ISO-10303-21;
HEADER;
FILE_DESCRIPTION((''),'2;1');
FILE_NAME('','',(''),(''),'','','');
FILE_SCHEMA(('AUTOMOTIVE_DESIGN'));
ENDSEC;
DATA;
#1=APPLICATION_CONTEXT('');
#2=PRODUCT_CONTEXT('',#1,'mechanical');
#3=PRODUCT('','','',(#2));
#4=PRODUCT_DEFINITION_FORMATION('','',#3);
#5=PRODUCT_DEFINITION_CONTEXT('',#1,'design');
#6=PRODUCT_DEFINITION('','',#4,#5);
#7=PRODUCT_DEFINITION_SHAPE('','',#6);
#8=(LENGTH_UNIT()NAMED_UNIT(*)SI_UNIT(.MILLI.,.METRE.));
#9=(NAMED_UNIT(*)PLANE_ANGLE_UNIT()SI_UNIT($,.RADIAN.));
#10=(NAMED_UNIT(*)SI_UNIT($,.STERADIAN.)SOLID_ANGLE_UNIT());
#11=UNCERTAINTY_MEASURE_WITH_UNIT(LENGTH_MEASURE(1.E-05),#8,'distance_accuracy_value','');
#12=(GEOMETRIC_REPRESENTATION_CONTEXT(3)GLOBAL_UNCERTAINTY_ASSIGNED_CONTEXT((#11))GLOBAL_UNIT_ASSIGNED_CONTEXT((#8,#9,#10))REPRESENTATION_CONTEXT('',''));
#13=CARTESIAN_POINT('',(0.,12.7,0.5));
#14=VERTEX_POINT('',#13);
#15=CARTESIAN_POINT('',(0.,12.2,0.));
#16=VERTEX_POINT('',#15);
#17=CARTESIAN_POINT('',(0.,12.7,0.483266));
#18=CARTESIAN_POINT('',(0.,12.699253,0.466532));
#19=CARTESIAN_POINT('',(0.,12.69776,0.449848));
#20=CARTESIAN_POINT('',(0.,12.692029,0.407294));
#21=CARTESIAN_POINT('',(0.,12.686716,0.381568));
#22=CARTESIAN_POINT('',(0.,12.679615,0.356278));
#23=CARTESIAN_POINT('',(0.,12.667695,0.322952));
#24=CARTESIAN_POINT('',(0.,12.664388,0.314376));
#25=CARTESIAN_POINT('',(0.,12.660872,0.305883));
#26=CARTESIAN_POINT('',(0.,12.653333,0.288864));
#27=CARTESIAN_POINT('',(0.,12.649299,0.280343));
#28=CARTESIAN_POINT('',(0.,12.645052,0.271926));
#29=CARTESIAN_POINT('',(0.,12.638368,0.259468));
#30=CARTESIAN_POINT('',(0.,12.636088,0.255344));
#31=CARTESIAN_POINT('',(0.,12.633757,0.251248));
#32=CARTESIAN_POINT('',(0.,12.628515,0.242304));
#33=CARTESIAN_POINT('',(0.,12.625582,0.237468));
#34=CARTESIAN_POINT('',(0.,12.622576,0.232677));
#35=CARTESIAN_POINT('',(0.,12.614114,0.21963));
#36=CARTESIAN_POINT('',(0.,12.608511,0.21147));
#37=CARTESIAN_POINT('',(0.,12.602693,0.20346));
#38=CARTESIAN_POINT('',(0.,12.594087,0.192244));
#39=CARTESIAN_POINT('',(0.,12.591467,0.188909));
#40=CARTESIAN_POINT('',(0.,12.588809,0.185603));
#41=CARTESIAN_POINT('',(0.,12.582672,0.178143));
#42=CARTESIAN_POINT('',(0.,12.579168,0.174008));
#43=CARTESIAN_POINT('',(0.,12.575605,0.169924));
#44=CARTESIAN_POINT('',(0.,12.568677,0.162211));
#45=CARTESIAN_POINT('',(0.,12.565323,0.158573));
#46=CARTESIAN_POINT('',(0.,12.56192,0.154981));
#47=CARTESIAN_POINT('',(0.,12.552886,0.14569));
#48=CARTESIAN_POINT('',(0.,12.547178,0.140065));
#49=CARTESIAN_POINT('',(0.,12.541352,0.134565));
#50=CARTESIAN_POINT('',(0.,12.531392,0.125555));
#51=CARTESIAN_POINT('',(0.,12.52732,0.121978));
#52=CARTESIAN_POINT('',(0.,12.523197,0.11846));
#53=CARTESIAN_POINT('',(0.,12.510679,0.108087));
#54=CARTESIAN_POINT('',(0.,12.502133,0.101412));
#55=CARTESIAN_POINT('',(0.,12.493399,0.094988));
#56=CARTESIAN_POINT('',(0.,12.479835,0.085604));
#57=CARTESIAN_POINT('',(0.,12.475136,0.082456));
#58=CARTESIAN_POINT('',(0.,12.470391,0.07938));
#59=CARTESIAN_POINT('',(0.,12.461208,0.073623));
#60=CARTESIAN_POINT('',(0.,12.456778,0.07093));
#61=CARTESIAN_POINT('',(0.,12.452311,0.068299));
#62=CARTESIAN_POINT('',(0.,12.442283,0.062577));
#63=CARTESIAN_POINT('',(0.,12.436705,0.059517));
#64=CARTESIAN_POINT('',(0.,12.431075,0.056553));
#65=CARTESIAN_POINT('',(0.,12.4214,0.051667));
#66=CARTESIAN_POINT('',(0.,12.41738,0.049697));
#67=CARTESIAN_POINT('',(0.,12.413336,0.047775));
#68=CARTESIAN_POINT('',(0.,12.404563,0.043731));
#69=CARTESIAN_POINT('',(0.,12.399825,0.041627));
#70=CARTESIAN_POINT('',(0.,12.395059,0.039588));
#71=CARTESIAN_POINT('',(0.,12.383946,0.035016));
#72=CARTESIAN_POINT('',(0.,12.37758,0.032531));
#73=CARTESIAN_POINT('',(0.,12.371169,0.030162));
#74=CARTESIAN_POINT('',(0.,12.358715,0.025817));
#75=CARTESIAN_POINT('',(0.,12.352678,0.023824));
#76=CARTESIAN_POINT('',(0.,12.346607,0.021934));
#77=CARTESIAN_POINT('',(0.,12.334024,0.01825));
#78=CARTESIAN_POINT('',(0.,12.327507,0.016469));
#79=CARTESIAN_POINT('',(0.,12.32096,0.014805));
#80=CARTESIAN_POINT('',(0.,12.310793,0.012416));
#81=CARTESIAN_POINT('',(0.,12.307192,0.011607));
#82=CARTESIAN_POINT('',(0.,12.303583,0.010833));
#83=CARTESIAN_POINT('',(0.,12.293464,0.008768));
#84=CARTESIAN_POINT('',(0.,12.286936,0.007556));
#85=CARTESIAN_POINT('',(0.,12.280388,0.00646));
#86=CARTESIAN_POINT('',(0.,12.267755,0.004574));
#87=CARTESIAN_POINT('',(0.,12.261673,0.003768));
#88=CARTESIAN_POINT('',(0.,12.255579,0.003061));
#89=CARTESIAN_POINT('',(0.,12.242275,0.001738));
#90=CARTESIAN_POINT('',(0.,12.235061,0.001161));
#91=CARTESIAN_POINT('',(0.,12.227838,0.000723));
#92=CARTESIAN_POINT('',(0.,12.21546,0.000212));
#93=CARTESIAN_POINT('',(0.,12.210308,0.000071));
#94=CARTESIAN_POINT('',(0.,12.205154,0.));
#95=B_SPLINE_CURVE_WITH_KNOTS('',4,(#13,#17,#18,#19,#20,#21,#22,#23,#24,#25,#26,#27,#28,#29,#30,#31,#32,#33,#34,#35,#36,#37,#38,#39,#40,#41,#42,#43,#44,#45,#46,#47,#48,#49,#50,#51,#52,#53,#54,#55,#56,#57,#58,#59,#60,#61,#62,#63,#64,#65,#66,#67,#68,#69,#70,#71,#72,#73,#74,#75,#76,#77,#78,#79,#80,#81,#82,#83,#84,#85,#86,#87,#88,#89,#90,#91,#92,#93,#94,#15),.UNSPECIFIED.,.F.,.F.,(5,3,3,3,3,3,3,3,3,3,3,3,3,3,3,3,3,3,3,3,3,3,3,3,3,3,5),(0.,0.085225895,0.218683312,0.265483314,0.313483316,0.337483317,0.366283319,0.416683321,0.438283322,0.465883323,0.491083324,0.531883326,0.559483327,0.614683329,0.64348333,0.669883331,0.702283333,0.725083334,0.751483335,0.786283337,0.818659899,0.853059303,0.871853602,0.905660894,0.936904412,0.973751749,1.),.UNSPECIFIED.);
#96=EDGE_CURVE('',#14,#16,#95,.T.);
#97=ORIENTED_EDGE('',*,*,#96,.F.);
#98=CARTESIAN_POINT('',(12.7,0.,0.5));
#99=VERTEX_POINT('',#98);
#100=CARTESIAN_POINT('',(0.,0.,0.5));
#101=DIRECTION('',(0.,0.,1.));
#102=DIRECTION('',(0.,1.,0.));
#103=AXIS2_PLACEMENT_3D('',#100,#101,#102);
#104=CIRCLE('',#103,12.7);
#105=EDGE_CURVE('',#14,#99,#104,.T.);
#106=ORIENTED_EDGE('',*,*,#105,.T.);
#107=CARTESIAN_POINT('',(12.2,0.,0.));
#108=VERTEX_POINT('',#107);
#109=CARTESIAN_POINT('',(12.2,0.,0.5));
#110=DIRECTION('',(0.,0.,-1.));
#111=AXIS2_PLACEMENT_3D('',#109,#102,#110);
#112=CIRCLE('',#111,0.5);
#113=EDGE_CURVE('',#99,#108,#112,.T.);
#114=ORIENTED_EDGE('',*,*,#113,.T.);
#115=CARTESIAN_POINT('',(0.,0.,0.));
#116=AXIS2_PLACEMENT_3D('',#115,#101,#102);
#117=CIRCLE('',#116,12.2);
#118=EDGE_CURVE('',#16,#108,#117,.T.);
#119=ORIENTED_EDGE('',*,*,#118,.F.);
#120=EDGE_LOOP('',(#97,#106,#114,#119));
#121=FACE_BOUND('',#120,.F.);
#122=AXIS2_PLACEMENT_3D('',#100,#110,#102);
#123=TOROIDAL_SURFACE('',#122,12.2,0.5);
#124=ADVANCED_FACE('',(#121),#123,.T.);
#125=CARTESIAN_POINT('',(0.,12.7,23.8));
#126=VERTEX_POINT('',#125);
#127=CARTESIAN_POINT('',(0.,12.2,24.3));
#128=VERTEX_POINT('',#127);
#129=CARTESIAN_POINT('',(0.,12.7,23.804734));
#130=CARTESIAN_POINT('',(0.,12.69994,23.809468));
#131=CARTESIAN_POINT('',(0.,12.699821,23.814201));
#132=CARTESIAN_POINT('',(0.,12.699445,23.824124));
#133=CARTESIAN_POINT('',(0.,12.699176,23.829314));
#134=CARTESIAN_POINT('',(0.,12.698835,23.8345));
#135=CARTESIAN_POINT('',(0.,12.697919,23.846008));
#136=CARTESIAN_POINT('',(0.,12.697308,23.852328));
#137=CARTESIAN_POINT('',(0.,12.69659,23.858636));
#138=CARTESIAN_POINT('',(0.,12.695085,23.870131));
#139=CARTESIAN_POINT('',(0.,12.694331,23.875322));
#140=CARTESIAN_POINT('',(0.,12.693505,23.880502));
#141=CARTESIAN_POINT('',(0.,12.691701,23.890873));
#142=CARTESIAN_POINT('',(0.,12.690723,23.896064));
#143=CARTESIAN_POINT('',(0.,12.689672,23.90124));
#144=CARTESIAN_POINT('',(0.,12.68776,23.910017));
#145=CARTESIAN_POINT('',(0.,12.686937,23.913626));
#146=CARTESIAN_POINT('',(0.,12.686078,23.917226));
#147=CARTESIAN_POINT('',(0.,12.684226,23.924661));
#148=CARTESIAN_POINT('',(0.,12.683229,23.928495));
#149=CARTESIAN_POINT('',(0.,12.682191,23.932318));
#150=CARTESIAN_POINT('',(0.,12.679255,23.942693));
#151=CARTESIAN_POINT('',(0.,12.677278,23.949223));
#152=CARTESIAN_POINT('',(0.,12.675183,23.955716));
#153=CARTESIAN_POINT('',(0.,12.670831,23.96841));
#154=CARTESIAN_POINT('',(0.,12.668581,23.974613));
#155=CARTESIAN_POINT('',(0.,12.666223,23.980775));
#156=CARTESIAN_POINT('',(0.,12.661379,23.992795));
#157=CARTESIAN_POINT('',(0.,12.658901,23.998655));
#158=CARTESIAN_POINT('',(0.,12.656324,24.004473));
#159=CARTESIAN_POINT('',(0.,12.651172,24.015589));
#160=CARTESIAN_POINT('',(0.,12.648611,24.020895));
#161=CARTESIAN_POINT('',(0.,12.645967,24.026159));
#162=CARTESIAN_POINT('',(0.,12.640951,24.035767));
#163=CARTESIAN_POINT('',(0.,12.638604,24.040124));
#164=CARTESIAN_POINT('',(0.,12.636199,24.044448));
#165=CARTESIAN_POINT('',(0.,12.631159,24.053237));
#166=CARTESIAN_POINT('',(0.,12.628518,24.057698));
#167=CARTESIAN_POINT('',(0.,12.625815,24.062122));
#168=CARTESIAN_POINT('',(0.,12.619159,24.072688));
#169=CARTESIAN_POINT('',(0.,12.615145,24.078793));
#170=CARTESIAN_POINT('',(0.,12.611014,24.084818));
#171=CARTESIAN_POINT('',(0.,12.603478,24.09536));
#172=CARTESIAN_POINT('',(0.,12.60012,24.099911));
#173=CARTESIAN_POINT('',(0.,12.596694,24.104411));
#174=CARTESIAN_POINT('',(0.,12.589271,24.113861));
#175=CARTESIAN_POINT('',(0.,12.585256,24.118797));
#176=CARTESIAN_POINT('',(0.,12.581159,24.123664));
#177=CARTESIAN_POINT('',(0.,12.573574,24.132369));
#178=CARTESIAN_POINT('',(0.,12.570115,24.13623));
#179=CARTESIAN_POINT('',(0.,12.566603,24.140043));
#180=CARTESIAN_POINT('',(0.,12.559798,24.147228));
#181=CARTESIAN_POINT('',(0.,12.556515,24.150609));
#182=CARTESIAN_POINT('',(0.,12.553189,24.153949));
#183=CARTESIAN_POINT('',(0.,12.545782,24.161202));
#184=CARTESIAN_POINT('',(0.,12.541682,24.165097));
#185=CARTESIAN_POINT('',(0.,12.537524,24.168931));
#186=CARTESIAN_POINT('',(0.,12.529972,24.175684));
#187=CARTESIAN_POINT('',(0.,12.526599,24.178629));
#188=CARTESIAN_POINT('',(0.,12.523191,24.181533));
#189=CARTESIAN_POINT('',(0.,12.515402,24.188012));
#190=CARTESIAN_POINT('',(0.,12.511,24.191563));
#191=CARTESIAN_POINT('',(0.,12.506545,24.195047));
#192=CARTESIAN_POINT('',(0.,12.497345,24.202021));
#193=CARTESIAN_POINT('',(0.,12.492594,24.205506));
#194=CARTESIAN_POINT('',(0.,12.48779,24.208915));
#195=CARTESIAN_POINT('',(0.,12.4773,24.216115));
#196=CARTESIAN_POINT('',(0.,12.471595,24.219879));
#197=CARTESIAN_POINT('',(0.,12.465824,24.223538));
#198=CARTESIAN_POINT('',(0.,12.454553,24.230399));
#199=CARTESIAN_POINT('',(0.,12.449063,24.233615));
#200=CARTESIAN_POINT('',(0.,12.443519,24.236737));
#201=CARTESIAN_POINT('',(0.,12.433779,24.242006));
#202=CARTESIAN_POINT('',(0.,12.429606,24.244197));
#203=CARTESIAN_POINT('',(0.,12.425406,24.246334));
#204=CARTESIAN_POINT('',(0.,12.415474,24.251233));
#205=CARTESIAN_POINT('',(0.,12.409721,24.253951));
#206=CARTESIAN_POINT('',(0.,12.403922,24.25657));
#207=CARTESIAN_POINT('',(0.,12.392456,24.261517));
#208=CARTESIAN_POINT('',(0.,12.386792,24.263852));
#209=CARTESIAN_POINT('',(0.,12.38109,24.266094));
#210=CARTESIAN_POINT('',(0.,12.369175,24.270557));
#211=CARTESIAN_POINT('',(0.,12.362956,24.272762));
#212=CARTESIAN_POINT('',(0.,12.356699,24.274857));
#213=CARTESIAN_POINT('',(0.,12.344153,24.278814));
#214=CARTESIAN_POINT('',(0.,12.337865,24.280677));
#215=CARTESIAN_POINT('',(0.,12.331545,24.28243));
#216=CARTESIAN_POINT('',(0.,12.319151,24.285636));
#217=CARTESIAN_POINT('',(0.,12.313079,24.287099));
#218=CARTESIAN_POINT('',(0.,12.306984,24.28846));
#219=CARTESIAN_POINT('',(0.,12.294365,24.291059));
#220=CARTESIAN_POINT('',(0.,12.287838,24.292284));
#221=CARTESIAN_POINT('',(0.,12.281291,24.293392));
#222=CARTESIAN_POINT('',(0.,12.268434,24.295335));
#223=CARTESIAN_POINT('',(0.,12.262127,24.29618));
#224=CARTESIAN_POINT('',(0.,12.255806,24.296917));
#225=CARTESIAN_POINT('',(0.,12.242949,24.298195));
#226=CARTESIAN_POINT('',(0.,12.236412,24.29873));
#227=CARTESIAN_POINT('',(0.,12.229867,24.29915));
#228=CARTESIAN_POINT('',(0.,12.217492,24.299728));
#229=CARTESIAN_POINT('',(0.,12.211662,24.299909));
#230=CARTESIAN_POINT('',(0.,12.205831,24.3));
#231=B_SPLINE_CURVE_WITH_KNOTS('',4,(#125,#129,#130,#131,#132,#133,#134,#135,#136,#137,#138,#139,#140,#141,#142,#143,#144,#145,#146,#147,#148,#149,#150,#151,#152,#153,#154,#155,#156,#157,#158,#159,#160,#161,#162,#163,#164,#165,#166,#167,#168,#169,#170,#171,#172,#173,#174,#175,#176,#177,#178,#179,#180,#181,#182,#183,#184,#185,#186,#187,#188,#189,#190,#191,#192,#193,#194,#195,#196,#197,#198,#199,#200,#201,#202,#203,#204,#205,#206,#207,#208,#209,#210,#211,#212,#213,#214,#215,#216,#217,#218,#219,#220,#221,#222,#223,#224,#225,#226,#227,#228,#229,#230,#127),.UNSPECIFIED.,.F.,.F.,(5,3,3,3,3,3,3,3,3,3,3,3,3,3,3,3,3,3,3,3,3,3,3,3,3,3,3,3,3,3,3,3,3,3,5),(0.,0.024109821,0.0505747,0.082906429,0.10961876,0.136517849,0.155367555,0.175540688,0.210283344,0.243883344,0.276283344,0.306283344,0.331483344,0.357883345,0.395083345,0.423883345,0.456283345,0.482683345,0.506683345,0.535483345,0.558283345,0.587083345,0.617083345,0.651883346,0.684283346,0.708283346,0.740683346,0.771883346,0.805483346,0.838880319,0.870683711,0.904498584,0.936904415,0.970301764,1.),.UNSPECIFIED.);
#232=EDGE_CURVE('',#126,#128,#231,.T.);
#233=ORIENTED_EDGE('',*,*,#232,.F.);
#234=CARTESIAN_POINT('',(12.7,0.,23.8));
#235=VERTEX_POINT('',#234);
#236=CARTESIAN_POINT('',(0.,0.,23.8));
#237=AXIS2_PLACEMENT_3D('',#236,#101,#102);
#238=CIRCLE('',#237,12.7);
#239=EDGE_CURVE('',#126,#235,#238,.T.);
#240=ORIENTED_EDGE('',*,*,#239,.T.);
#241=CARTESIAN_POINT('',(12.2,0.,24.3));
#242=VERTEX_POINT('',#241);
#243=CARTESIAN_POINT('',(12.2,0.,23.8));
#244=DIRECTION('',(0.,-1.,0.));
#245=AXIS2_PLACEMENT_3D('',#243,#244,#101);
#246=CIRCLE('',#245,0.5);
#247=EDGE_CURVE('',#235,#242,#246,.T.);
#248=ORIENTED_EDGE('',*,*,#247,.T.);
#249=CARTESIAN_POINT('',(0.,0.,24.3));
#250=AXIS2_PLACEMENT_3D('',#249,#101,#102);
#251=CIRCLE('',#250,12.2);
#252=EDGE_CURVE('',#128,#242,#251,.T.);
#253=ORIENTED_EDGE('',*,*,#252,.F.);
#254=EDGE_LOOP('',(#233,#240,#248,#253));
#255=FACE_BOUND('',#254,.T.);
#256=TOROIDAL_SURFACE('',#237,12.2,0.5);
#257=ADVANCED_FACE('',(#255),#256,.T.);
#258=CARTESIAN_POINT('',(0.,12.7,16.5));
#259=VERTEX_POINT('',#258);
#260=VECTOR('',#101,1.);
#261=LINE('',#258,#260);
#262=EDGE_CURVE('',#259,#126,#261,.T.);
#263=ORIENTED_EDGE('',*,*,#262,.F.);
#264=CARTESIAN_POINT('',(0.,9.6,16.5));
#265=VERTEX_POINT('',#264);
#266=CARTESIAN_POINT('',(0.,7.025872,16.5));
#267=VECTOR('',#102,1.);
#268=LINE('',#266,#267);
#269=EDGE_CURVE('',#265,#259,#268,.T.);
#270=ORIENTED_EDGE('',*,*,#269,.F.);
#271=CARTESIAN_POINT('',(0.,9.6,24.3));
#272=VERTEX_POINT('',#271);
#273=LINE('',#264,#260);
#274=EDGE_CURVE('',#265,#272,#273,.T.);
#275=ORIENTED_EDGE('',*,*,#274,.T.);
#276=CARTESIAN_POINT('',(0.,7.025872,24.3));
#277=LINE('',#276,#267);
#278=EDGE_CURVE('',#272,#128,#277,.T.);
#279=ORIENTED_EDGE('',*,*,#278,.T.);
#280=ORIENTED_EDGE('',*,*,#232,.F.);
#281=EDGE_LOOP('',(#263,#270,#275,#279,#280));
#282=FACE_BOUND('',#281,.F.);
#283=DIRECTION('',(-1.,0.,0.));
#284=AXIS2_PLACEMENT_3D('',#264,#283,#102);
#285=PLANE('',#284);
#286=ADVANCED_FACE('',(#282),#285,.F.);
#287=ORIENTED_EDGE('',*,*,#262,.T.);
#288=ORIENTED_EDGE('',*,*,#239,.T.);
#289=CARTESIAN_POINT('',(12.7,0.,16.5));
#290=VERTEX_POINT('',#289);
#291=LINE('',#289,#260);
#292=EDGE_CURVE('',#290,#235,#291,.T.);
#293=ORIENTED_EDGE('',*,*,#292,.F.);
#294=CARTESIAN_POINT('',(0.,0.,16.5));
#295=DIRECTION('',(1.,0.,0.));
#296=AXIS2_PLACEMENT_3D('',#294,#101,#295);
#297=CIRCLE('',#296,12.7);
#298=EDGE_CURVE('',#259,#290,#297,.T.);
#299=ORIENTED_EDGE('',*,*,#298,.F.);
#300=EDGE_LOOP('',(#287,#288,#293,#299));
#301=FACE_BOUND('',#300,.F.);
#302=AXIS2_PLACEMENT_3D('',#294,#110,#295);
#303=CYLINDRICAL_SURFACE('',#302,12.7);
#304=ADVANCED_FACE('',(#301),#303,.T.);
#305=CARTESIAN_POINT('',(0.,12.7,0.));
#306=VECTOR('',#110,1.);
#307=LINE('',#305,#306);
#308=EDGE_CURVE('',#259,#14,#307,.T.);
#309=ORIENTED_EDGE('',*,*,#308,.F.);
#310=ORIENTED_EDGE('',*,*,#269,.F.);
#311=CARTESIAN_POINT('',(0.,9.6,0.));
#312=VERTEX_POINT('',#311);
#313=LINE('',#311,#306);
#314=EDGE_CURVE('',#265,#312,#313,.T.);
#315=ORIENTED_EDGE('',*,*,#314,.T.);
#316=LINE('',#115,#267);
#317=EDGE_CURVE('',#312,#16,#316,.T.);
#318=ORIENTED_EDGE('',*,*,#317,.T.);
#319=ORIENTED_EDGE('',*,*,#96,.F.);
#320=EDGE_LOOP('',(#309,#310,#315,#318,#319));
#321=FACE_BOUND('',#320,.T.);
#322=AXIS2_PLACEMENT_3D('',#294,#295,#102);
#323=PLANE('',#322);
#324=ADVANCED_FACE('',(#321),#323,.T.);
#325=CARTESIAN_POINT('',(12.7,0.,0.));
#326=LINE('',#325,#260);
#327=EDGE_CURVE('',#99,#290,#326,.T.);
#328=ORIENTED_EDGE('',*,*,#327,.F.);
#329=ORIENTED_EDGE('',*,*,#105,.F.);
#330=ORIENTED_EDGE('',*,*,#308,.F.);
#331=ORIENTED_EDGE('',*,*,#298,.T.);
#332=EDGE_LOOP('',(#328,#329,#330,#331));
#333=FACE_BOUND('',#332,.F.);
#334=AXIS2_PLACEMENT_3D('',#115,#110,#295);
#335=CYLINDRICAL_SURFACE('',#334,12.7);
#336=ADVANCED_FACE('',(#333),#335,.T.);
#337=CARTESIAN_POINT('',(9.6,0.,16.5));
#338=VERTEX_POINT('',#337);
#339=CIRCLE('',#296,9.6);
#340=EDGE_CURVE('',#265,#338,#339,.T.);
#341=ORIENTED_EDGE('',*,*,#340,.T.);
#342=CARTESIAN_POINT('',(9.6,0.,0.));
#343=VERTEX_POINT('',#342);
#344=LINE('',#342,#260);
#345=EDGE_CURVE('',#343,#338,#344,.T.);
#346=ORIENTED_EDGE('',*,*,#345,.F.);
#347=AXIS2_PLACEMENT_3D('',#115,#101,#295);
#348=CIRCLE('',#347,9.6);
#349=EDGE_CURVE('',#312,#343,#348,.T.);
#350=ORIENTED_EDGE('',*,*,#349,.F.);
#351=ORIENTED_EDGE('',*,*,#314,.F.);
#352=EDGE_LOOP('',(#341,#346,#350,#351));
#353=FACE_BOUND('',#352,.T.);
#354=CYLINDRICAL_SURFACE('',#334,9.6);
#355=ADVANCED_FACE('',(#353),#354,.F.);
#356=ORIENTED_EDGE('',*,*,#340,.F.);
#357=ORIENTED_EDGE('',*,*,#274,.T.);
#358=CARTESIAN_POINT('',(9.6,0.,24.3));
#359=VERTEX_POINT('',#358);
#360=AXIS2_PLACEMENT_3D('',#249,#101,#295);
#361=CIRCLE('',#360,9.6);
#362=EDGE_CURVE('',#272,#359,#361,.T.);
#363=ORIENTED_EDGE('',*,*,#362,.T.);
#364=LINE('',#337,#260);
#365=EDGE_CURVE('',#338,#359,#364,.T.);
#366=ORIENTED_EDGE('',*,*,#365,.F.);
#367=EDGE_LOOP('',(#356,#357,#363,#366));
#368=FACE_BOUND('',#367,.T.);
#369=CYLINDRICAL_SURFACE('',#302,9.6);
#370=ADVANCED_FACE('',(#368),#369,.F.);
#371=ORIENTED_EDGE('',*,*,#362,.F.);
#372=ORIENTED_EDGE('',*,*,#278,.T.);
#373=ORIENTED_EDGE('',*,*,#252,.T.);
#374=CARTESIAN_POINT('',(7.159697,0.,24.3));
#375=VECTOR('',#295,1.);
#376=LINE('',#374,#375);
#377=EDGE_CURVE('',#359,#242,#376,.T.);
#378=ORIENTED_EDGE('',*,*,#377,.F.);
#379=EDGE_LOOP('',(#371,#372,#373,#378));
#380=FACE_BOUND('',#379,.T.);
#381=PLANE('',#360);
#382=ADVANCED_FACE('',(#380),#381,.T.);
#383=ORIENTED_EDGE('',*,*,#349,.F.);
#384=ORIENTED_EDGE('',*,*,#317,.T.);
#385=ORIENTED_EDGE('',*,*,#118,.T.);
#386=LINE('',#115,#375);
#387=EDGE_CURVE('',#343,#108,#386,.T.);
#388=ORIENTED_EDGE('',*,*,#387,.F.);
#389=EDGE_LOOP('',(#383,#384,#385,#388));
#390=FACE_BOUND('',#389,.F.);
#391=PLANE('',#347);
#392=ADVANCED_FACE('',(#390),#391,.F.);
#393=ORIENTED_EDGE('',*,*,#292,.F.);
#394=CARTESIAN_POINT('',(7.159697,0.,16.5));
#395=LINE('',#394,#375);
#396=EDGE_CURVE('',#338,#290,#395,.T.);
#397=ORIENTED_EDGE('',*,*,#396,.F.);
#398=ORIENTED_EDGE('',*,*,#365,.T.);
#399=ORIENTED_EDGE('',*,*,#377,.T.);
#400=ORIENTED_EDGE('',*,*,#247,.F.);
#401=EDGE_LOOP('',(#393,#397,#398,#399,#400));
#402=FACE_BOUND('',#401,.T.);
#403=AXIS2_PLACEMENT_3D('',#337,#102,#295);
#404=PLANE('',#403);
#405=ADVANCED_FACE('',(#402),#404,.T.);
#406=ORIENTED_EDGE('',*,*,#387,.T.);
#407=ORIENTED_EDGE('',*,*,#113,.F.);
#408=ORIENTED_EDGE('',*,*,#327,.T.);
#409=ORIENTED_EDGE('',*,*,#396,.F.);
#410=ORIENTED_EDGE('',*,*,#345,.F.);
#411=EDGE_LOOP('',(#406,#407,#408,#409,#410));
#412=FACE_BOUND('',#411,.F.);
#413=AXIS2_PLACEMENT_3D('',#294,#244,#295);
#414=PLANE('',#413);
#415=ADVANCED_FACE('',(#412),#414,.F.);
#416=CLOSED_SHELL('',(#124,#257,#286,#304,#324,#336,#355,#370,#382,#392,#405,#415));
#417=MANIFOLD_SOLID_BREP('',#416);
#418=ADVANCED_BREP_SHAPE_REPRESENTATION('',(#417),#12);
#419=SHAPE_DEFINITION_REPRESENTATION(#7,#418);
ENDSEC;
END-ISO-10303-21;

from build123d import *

# Parameters (mm, degrees)
F0_R     = 12.7
F0_R_2   = 9.6
F1_DEPTH = 16.5
F2_W     = 14.3193947151
F2_H     = 14.0517447144
F3_DEPTH = 16.501
F4_DEPTH = 7.8
F5_R     = 0.5


with BuildPart() as f1:
    # F0 (on Top) → F1 (new body)
    with BuildSketch(Plane.XY):
        Circle(F0_R)
        Circle(F0_R_2, mode=Mode.SUBTRACT)
    extrude(amount=F1_DEPTH)

    # F2 (on face) → F3 (cut, through all)
    with BuildSketch(Plane.XY.offset(16.5)):
        with Locations((7.1596973576, 7.0258723572)):
            Rectangle(F2_W, F2_H)
    extrude(amount=-F3_DEPTH, mode=Mode.SUBTRACT)

    # F4 (add): a face of the model
    f4_faces = [f1.faces().sort_by_distance(p)[0] for p in [
        (-8.7262561211, -8.7262561211, 16.5),
    ]]
    extrude(f4_faces, amount=F4_DEPTH)

    # F5
    f5_edges = [f1.edges().sort_by_distance(p)[0] for p in [
        (-8.980256, -8.980256, 24.3),
        (-8.980256, -8.980256, 0),
    ]]
    fillet(f5_edges, radius=F5_R)


solid = f1.part
